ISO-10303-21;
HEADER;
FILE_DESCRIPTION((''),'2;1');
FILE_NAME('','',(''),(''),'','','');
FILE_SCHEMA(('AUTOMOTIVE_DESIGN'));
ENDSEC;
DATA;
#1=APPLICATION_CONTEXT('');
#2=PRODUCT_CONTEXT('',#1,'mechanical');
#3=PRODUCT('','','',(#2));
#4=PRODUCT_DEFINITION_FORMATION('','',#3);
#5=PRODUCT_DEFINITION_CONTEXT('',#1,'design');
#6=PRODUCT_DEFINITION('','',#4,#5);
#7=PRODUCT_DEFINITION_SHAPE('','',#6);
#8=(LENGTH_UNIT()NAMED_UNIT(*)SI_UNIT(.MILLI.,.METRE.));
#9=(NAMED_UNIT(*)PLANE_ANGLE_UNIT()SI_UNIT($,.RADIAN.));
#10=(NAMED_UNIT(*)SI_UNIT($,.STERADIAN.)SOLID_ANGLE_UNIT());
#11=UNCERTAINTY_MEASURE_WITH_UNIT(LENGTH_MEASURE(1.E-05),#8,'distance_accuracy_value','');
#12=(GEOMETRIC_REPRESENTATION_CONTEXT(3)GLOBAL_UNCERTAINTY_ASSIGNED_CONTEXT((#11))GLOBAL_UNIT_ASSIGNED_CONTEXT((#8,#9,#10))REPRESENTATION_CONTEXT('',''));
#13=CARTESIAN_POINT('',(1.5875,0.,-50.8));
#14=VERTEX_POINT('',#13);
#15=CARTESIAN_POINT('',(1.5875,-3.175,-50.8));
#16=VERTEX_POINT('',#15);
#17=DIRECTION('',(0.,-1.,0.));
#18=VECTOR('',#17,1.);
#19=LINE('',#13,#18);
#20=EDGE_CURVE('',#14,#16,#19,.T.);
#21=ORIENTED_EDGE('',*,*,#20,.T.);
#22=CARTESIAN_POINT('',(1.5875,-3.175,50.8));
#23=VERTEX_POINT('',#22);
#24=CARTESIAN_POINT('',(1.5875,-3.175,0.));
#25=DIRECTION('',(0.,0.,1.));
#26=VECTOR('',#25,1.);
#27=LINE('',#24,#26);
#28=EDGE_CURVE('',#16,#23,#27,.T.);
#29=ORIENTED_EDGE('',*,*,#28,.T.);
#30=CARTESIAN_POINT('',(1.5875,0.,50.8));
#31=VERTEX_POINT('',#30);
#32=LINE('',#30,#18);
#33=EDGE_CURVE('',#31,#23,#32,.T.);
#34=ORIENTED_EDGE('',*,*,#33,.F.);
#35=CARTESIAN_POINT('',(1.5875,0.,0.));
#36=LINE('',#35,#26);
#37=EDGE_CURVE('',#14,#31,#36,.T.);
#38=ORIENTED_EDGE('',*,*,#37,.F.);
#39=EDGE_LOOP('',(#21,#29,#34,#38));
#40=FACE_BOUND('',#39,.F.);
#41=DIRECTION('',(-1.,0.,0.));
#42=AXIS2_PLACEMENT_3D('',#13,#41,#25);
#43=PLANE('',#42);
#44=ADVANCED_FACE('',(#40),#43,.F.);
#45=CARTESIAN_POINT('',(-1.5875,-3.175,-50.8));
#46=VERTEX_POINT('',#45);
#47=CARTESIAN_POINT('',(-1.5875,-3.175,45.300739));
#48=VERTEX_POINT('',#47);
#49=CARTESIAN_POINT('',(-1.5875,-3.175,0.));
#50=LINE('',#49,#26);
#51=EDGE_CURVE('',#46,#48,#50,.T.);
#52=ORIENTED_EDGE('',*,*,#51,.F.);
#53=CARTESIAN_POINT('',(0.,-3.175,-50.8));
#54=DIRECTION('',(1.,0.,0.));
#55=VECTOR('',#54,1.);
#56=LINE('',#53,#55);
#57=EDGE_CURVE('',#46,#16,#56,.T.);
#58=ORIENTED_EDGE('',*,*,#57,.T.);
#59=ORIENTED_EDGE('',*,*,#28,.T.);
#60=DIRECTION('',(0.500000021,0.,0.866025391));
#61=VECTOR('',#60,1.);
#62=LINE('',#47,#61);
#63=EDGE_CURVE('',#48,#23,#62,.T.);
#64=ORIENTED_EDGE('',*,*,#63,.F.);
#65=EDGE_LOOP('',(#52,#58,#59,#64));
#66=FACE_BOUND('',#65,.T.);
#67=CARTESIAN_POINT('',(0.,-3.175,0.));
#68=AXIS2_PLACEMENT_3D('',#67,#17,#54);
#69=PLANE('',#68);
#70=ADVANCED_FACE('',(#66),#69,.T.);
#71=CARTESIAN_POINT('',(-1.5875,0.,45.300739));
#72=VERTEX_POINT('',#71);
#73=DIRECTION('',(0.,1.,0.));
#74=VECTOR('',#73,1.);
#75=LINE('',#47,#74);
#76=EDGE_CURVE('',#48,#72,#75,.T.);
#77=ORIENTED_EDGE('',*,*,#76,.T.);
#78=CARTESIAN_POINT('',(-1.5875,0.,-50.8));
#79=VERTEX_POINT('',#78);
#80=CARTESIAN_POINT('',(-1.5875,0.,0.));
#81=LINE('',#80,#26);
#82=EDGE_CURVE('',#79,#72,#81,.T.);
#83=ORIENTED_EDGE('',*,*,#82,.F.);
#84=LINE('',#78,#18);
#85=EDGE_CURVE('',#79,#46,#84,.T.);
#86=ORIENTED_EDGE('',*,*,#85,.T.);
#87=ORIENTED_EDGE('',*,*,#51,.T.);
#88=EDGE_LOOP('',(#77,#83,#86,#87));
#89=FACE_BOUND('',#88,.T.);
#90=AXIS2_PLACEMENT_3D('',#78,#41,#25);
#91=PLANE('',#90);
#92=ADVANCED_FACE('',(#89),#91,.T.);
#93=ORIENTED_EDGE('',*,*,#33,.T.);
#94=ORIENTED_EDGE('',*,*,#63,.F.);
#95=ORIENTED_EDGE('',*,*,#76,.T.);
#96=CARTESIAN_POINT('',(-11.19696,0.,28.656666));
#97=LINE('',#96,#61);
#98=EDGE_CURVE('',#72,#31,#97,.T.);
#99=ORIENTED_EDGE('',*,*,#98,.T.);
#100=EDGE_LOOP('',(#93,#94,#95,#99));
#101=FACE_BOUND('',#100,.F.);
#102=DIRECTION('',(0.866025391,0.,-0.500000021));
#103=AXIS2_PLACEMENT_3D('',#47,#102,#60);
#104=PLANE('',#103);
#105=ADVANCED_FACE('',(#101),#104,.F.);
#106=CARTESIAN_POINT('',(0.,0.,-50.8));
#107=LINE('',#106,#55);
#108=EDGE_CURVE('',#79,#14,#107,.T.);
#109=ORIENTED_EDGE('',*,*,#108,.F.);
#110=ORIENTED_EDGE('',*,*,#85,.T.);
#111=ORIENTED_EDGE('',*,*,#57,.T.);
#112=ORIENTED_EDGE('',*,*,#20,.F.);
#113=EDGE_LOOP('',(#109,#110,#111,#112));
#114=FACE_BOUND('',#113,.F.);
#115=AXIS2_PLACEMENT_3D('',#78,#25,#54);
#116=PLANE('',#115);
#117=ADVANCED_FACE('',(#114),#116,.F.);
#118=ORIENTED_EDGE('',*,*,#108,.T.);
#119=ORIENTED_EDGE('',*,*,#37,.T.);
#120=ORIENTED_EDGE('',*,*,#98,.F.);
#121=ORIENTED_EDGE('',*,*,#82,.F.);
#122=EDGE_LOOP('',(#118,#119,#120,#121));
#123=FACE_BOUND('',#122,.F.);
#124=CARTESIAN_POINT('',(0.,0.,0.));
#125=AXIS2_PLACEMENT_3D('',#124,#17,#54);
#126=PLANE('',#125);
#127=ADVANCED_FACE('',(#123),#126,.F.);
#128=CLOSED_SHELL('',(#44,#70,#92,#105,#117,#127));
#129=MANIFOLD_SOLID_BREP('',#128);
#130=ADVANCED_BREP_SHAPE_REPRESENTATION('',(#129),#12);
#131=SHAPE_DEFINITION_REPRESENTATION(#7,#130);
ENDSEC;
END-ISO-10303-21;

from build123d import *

# Parameters (mm, degrees)
F0_W     = 3.175
F0_H     = 101.6
F1_DEPTH = 3.175
F3_DEPTH = 25.4


with BuildPart() as f1:
    # F0 (on Front) → F1 (new body)
    with BuildSketch(Plane.XZ):
        Rectangle(F0_W, F0_H)
    extrude(amount=F1_DEPTH)

    # F2 (on face) → F3 (cut)
    with BuildSketch(Plane.XZ.offset(3.175)):
        Polygon((-1.5875, 45.300739), (1.5875, 50.8), (-1.5875, 50.8), align=None)
    extrude(amount=-F3_DEPTH, mode=Mode.SUBTRACT)


solid = f1.part
